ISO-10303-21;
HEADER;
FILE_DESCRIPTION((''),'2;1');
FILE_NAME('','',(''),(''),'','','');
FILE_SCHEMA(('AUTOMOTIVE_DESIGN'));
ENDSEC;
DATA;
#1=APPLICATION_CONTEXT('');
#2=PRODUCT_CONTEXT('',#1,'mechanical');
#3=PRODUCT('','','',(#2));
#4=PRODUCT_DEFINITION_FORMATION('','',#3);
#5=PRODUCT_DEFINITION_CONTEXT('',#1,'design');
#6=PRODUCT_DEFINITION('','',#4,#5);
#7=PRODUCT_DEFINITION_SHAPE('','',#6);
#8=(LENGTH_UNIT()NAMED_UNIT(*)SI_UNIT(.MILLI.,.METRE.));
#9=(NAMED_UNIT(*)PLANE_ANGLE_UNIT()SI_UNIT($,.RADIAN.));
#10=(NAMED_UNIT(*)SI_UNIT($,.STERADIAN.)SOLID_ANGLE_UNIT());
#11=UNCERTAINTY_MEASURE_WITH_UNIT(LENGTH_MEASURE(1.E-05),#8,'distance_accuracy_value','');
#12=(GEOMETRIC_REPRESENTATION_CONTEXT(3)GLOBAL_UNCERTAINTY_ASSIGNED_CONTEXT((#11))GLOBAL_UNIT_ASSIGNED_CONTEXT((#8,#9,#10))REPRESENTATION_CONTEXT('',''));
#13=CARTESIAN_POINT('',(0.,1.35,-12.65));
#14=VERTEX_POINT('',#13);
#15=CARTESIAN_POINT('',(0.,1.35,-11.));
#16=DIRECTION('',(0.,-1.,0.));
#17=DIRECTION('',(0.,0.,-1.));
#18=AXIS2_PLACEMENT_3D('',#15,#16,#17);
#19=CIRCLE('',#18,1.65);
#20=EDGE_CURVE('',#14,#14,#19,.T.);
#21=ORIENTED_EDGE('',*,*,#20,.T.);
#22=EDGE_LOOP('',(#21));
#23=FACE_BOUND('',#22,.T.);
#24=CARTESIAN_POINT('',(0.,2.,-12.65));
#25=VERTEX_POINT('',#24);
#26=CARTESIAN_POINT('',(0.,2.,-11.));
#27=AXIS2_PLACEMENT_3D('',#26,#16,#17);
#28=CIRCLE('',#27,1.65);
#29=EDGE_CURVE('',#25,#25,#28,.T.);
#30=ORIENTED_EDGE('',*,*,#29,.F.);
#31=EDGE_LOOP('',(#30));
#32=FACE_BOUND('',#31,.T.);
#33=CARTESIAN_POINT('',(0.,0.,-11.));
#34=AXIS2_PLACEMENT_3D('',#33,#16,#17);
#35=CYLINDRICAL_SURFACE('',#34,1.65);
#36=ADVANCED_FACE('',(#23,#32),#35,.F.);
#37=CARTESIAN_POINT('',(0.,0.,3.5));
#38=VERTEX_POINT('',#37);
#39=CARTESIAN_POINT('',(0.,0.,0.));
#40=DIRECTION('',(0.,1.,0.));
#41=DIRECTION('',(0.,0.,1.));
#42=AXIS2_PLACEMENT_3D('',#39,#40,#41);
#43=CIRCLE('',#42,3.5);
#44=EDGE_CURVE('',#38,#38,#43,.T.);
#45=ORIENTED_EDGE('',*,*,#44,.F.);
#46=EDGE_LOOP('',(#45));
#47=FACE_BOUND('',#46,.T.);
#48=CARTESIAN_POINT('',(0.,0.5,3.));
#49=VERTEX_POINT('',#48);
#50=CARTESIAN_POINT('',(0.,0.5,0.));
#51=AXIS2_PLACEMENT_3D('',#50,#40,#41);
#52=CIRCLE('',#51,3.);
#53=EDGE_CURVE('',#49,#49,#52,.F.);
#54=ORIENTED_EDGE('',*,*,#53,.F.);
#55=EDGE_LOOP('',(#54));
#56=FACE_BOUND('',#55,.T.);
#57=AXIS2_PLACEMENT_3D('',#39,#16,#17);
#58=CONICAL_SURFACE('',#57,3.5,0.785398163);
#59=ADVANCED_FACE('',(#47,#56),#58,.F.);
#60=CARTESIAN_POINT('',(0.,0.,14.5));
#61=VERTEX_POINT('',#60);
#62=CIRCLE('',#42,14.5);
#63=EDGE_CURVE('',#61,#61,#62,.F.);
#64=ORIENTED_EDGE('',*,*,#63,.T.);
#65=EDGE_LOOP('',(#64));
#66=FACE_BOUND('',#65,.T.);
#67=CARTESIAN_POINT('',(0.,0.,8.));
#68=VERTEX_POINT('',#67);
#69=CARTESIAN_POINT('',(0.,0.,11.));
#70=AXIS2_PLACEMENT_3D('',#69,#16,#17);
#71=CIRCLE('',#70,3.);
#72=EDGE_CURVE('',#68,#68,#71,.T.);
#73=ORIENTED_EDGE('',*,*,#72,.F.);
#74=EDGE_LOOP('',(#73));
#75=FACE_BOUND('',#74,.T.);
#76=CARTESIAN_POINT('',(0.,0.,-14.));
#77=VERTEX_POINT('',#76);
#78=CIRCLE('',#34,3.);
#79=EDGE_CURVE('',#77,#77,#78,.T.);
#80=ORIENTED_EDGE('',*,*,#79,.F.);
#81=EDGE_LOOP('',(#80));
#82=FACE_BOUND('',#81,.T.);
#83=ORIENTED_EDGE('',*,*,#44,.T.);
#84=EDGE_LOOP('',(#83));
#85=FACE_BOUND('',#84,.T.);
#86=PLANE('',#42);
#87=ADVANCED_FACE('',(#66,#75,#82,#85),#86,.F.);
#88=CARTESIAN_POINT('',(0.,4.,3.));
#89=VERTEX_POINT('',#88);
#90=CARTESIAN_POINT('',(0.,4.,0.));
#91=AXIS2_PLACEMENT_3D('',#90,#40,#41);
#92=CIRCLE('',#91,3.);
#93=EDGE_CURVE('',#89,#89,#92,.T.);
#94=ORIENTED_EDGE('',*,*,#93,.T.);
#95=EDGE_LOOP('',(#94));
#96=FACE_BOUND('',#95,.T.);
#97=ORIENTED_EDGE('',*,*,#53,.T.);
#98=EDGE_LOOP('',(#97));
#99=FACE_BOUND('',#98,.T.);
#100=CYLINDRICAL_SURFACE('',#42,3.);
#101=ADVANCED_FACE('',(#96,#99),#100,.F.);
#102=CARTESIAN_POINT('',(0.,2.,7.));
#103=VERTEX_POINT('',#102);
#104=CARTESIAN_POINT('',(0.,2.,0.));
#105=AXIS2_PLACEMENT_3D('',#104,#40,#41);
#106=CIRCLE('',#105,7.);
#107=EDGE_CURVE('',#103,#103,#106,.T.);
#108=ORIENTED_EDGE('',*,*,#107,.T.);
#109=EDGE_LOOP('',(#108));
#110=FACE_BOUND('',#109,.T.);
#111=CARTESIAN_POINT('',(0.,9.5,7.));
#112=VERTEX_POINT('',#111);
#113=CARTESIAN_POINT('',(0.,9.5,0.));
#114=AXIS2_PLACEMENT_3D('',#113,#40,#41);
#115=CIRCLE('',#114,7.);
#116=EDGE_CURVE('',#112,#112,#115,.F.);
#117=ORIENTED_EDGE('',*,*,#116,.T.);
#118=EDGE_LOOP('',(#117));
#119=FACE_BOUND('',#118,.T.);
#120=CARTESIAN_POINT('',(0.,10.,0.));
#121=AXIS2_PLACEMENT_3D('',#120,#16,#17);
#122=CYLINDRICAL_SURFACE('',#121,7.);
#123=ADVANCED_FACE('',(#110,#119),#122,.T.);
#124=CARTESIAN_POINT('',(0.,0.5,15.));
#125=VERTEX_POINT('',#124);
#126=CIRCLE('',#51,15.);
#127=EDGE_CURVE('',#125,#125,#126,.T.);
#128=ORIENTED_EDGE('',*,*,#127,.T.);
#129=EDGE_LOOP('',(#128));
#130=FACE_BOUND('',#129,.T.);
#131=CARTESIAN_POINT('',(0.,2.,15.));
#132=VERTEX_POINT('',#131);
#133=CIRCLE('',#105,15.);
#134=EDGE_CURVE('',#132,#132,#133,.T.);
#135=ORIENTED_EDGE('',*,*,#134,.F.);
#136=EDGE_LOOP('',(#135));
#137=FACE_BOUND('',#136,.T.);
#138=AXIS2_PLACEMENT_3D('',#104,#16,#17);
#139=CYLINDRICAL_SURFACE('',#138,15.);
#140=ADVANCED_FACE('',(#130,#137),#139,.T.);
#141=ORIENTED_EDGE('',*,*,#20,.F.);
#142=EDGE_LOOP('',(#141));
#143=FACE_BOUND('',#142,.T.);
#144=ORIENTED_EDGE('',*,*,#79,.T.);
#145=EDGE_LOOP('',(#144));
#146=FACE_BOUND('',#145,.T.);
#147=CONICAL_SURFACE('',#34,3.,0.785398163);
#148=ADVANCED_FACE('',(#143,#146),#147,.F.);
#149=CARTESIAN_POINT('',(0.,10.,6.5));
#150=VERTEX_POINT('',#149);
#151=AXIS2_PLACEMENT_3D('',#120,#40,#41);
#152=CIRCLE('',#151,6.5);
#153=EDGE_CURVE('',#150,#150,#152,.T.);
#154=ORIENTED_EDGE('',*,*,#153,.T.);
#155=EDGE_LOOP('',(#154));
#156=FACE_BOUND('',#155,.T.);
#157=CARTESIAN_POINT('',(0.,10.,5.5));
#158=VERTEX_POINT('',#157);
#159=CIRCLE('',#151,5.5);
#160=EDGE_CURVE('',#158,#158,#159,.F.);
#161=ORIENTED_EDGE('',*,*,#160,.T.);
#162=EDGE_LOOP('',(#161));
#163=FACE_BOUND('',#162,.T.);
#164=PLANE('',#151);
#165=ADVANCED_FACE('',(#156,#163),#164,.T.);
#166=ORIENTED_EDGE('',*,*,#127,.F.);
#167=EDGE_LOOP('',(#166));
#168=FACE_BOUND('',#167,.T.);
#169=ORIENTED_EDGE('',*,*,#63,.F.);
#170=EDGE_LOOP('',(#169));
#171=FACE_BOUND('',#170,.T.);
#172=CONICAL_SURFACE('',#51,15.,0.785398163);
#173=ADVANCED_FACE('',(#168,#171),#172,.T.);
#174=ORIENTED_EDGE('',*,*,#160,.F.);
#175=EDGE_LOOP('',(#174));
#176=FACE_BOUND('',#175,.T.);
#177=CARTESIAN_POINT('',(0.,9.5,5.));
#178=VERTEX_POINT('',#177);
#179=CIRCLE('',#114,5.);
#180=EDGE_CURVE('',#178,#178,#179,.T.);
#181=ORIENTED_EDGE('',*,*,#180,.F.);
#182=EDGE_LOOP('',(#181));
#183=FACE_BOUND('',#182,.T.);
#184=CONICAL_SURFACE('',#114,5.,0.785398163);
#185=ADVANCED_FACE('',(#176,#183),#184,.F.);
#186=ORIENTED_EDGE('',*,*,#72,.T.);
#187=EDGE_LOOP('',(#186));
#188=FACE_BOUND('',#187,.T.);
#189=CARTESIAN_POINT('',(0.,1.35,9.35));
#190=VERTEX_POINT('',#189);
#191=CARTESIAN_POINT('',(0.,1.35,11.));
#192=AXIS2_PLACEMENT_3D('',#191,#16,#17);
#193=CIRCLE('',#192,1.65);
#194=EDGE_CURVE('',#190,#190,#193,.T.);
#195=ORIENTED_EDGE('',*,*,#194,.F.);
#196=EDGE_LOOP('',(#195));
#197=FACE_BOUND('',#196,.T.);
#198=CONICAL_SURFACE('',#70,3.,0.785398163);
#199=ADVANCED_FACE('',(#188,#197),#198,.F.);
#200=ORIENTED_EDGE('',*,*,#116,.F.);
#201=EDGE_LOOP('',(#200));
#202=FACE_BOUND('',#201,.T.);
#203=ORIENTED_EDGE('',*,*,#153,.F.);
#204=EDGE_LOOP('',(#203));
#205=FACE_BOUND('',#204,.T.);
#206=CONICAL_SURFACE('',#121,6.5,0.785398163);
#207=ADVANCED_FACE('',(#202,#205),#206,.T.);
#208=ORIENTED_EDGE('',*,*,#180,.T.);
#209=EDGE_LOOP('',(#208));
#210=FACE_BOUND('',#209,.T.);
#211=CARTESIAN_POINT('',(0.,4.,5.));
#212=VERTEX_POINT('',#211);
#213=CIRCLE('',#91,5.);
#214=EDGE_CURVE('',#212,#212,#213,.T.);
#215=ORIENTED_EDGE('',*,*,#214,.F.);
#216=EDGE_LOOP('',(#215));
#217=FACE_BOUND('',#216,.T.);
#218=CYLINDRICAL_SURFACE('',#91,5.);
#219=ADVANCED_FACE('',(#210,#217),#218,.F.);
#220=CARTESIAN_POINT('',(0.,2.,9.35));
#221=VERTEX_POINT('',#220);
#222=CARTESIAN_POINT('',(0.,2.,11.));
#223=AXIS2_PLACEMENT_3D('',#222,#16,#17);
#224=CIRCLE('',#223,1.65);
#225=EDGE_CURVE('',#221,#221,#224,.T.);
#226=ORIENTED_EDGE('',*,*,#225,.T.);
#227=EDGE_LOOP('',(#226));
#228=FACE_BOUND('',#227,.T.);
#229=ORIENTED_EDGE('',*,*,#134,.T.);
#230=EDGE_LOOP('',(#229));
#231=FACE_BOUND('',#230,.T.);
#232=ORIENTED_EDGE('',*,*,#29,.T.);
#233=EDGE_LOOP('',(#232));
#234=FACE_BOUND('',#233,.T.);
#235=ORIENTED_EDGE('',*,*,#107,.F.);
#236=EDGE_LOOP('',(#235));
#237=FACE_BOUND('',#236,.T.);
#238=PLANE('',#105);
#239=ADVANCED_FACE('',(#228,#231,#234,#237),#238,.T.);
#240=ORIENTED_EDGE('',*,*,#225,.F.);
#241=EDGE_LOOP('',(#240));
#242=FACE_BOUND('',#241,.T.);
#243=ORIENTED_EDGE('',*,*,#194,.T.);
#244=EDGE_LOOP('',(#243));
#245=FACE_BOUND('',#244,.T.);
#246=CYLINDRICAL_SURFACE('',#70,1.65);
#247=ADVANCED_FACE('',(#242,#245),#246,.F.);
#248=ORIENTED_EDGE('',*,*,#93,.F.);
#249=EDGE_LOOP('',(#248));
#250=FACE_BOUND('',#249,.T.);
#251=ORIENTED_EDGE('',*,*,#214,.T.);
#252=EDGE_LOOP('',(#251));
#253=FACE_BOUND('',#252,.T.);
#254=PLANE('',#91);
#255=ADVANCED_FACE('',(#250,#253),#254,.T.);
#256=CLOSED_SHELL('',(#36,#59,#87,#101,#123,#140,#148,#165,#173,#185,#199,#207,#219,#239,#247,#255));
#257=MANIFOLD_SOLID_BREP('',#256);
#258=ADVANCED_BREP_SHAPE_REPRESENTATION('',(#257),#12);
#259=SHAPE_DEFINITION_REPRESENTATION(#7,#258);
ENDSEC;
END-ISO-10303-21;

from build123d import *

# Parameters (mm, degrees)
SKETCH_1_R          = 15
EXTRUDE_1_DEPTH     = 2
SKETCH_2_R          = 7
EXTRUDE_2_DEPTH     = 8
SKETCH_3_R          = 5
CUT_EXTRUDE_1_DEPTH = 6
SKETCH_4_R          = 3
CUT_EXTRUDE_2_DEPTH = 23.045407685
CHAMFER_1_SIZE      = 0.5


with BuildPart() as part:
    # 草图1 → 凸台-拉伸1 (new body)
    with BuildSketch(Plane(origin=(0, 0, 0), x_dir=(1, 0, 0), z_dir=(0, 1, 0))):
        with Locations(Location((0, 0, 0), (0, 0, 270))):
            Circle(SKETCH_1_R)
    extrude(amount=EXTRUDE_1_DEPTH)

    # 草图2 → 凸台-拉伸2 (add)
    with BuildSketch(Plane(origin=(0, 2, 0), x_dir=(1, 0, 0), z_dir=(0, 1, 0))):
        with Locations(Location((0, 0, 0), (0, 0, 270))):
            Circle(SKETCH_2_R)
    extrude(amount=EXTRUDE_2_DEPTH)

    # 草图3 → 切除-拉伸1 (cut)
    with BuildSketch(Plane(origin=(0, 10, 0), x_dir=(1, 0, 0), z_dir=(0, 1, 0))):
        with Locations(Location((0, 0, 0), (0, 0, 270))):
            Circle(SKETCH_3_R)
    extrude(amount=-CUT_EXTRUDE_1_DEPTH, mode=Mode.SUBTRACT)

    # 草图4 → 切除-拉伸2 (cut, through all)
    with BuildSketch(Plane(origin=(0, 4, 0), x_dir=(1, 0, 0), z_dir=(0, 1, 0))):
        with Locations(Location((0, 0, 0), (0, 0, 270))):
            Circle(SKETCH_4_R)
    extrude(amount=-CUT_EXTRUDE_2_DEPTH, mode=Mode.SUBTRACT)

    # 倒角1
    chamfer_1_edges = [part.edges().sort_by_distance(p)[0] for p in [
        (0, 10, -5),
        (0, 0, -3),
        (0, 0, -15),
        (0, 10, -7),
    ]]
    chamfer(chamfer_1_edges, length=CHAMFER_1_SIZE)

    # 草图8 → M6 内六角花形半沉头螺钉的锥形沉头孔1 (revolve, cut)
    with BuildSketch(Plane(origin=(0, 0, 11), x_dir=(0, 0, -1), z_dir=(1, 0, 0))):
        Polygon((0, 0), (0, 3.65), (1.65, 2), (1.65, 1.35), (3, 0), align=None)
    hole_wizard_m6_1 = revolve(axis=Axis((0, -6.35, 11), (0, 1, 0)), mode=Mode.SUBTRACT)

    # 镜向1: M6 内六角花形半沉头螺钉的锥形沉头孔1 across plane
    add(hole_wizard_m6_1.mirror(Plane.XY), mode=Mode.SUBTRACT)


solid = part.part
